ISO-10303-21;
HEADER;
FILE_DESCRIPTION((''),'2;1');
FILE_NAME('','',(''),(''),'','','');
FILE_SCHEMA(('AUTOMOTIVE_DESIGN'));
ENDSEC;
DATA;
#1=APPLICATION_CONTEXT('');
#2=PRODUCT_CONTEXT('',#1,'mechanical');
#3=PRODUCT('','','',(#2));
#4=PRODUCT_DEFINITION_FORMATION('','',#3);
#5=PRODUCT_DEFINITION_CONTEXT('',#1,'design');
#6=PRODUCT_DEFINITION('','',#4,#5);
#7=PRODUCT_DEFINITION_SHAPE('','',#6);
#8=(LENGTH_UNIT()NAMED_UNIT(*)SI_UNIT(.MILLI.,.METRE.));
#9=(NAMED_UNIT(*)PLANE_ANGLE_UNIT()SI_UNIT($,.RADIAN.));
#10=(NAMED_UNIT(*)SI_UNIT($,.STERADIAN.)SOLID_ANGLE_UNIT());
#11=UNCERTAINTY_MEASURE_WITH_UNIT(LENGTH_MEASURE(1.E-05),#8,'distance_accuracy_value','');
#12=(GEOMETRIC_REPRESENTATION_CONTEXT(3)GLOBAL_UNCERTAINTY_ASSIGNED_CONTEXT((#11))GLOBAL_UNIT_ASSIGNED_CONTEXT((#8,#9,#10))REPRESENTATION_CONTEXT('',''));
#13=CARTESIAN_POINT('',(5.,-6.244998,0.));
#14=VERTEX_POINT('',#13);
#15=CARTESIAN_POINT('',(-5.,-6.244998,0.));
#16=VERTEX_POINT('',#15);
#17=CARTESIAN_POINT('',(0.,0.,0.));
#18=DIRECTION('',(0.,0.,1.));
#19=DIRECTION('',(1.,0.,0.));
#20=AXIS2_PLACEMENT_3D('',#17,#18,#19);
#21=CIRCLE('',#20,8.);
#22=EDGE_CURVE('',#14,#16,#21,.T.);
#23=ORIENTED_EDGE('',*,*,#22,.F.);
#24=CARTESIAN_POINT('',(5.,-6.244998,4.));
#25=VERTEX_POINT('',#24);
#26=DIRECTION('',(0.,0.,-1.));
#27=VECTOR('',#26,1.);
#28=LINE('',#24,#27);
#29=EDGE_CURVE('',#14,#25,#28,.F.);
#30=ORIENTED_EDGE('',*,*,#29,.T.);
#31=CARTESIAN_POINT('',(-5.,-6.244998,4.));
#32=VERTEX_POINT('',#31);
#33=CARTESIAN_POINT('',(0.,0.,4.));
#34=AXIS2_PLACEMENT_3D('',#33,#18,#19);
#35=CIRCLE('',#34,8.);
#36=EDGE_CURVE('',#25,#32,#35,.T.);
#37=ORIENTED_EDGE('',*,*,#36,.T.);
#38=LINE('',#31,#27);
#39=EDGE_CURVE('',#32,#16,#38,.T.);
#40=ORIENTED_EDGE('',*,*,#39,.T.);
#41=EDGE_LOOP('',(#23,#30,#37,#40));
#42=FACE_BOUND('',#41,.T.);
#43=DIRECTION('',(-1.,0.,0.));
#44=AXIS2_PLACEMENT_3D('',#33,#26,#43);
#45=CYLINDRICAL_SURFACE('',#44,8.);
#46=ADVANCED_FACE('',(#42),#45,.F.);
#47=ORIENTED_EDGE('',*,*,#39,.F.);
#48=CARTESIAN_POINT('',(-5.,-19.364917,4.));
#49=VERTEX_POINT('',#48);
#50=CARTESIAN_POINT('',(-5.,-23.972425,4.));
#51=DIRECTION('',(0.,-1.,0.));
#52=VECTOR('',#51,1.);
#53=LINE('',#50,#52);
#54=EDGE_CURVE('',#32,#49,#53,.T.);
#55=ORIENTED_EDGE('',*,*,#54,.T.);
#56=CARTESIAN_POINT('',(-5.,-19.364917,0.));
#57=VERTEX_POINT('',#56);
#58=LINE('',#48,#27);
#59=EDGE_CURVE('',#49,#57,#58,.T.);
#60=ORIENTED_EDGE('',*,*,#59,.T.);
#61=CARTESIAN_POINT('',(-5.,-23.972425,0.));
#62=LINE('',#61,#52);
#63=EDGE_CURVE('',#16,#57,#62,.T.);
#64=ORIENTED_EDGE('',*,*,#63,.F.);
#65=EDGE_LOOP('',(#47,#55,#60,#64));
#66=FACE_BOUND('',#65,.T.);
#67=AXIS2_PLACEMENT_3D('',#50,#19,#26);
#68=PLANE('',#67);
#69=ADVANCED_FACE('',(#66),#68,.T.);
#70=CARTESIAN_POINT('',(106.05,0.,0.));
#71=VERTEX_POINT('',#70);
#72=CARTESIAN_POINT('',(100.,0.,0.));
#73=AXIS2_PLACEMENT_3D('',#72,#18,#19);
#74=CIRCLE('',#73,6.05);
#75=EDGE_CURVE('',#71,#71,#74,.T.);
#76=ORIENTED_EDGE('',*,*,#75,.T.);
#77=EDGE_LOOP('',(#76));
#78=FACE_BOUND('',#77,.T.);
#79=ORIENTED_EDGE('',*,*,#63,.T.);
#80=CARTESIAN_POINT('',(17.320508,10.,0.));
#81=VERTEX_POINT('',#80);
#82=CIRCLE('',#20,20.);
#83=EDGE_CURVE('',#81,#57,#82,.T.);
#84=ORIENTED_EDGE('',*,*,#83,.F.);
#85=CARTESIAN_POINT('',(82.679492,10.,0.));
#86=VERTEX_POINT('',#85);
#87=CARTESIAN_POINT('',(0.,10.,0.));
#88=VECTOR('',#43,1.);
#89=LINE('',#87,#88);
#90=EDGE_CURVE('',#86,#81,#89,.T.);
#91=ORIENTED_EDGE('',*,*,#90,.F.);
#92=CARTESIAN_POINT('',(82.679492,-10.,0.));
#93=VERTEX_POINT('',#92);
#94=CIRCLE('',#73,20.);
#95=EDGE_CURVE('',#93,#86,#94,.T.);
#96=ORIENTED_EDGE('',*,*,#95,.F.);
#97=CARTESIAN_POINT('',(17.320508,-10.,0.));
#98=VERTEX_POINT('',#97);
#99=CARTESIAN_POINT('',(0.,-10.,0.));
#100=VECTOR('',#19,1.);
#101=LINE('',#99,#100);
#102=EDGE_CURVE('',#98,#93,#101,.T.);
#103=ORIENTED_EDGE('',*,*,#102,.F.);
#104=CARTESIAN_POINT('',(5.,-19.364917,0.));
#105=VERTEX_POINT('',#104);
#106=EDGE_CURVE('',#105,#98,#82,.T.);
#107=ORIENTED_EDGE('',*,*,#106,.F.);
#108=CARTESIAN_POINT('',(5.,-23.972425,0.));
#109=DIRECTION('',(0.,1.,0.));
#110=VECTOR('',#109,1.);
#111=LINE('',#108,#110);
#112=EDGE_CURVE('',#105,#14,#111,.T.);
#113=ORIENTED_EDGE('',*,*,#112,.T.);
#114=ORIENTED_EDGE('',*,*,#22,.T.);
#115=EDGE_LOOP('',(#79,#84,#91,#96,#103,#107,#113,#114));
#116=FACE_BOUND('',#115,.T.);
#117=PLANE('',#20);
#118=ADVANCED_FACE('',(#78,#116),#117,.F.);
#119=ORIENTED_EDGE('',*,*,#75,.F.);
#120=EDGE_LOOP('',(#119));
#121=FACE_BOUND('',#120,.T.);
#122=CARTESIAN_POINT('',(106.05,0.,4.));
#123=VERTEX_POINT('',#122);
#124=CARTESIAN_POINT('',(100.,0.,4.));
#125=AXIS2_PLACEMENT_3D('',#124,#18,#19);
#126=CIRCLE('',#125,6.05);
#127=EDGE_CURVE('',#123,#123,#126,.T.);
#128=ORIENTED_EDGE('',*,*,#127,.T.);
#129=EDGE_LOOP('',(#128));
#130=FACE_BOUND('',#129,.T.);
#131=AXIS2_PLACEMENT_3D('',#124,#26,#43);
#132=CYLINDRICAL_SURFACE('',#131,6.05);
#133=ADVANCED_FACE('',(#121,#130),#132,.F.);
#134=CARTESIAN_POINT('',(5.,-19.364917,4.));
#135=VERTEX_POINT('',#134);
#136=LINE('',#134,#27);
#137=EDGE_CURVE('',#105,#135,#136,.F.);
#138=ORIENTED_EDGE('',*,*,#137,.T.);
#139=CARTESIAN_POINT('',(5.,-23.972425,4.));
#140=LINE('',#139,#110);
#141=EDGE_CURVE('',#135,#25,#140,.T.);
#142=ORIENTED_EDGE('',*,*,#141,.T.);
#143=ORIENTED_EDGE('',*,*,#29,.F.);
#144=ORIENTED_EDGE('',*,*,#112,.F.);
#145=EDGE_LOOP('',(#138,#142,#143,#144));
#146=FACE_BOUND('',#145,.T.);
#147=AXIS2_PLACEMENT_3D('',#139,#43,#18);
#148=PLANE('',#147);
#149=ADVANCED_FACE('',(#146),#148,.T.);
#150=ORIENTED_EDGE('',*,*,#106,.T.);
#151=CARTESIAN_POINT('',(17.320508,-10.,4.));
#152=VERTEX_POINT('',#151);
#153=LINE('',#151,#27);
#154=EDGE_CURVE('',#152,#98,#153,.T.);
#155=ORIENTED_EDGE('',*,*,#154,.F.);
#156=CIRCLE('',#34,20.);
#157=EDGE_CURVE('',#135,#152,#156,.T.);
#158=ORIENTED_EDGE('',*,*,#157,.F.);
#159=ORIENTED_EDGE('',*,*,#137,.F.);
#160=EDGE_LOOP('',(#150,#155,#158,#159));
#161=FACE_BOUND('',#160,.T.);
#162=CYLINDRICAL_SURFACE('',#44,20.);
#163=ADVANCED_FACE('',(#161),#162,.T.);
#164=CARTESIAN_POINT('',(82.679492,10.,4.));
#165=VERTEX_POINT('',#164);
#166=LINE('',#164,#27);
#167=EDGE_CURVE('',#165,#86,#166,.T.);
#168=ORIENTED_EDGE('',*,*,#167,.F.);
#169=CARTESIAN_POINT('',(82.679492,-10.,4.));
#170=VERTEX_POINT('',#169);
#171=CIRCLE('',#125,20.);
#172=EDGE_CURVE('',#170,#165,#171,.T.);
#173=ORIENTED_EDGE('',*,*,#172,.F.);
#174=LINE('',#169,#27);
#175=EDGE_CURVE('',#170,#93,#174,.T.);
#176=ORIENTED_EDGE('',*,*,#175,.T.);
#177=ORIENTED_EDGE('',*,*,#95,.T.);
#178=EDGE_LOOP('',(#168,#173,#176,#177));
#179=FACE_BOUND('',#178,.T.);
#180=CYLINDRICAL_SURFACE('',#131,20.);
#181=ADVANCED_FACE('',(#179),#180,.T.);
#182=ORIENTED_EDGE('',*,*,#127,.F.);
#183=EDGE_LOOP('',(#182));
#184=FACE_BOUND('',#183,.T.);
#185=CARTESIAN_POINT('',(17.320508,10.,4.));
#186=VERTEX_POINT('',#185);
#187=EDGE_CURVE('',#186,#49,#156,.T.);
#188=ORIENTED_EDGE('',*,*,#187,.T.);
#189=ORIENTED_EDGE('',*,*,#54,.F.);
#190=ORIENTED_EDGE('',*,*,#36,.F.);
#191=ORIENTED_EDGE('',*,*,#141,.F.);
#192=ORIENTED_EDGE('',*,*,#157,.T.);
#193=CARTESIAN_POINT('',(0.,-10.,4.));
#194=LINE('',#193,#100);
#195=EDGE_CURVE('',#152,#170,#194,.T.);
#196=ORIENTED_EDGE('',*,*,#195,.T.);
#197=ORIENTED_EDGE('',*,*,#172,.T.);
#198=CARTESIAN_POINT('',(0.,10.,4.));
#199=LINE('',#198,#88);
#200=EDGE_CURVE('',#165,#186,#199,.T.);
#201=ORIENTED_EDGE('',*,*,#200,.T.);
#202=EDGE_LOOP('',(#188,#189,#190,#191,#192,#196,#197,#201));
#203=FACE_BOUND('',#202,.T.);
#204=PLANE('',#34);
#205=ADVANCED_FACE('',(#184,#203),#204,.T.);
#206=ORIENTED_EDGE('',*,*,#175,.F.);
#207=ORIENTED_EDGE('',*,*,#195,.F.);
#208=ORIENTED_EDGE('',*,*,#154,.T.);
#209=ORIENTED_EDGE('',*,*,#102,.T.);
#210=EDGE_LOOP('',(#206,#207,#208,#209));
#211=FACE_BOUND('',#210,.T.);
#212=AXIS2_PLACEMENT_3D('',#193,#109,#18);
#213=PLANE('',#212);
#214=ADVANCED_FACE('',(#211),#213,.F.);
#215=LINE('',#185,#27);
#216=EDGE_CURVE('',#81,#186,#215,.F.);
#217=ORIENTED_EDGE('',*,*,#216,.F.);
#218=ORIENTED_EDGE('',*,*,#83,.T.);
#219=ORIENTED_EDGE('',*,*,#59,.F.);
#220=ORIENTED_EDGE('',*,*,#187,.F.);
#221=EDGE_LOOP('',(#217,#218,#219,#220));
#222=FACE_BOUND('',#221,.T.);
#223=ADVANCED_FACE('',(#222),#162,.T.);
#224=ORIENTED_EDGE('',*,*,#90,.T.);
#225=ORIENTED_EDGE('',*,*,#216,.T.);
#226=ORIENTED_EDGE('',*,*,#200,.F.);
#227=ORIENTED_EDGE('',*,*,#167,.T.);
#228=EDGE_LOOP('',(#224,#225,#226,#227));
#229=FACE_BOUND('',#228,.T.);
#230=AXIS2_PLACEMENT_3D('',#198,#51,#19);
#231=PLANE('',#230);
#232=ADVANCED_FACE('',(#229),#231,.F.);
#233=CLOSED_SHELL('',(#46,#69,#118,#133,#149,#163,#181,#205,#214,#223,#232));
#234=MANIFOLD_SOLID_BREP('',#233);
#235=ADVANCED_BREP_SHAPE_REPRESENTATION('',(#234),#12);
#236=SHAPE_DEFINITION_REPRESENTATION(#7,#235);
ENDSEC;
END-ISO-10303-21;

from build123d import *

# Parameters (mm, degrees)
SKETCH1_R           = 20
BOSS_EXTRUDE1_DEPTH = 4
BOSS_EXTRUDE2_DEPTH = 4
SKETCH4_R           = 8
CUT_EXTRUDE1_DEPTH  = 4
SKETCH5_W           = 10
SKETCH5_H           = 19.132811744
CUT_EXTRUDE3_DEPTH  = 4
SKETCH6_R           = 6.05
CUT_EXTRUDE4_DEPTH  = 4


with BuildPart() as part:
    # Sketch1 → Boss-Extrude1 (new body)
    with BuildSketch(Plane.XY):
        Circle(SKETCH1_R)
    extrude(amount=BOSS_EXTRUDE1_DEPTH)

    # Sketch3 → Boss-Extrude2 (add)
    with BuildSketch(Plane.XY):
        with BuildLine():
            ThreePointArc((120, 0), (105.176380902, 19.318516526), (82.679491924, 10))
            Line((82.679491924, 10), (100, 10))
            Line((100, 10), (100, 0))
            Line((100, 0), (100, -10))
            Line((100, -10), (82.679491924, -10))
            ThreePointArc((82.679491924, -10), (105.176380902, -19.318516526), (120, 0))
        make_face()
        with BuildLine():
            Line((100, 10), (82.679491924, 10))
            ThreePointArc((82.679491924, 10), (80, 0), (82.679491924, -10))
            Line((82.679491924, -10), (100, -10))
            Line((100, -10), (100, 0))
            Line((100, 0), (100, 10))
        make_face()
        with BuildLine():
            Line((82.679491924, 10), (0, 10))
            Line((0, 10), (0, 0))
            Line((0, 0), (0, -10))
            Line((0, -10), (82.679491924, -10))
            ThreePointArc((82.679491924, -10), (80, 0), (82.679491924, 10))
        make_face()
    extrude(amount=BOSS_EXTRUDE2_DEPTH)

    # Sketch4 → Cut-Extrude1 (cut)
    with BuildSketch(Plane.XY):
        Circle(SKETCH4_R)
    extrude(amount=CUT_EXTRUDE1_DEPTH, mode=Mode.SUBTRACT)

    # Sketch5 → Cut-Extrude3 (cut)
    with BuildSketch(Plane.XY):
        with Locations((0, -14.406019059)):
            Rectangle(SKETCH5_W, SKETCH5_H)
    extrude(amount=CUT_EXTRUDE3_DEPTH, mode=Mode.SUBTRACT)

    # Sketch6 → Cut-Extrude4 (cut)
    with BuildSketch(Plane.XY):
        with Locations((100, 0)):
            Circle(SKETCH6_R)
    extrude(amount=CUT_EXTRUDE4_DEPTH, mode=Mode.SUBTRACT)


solid = part.part
